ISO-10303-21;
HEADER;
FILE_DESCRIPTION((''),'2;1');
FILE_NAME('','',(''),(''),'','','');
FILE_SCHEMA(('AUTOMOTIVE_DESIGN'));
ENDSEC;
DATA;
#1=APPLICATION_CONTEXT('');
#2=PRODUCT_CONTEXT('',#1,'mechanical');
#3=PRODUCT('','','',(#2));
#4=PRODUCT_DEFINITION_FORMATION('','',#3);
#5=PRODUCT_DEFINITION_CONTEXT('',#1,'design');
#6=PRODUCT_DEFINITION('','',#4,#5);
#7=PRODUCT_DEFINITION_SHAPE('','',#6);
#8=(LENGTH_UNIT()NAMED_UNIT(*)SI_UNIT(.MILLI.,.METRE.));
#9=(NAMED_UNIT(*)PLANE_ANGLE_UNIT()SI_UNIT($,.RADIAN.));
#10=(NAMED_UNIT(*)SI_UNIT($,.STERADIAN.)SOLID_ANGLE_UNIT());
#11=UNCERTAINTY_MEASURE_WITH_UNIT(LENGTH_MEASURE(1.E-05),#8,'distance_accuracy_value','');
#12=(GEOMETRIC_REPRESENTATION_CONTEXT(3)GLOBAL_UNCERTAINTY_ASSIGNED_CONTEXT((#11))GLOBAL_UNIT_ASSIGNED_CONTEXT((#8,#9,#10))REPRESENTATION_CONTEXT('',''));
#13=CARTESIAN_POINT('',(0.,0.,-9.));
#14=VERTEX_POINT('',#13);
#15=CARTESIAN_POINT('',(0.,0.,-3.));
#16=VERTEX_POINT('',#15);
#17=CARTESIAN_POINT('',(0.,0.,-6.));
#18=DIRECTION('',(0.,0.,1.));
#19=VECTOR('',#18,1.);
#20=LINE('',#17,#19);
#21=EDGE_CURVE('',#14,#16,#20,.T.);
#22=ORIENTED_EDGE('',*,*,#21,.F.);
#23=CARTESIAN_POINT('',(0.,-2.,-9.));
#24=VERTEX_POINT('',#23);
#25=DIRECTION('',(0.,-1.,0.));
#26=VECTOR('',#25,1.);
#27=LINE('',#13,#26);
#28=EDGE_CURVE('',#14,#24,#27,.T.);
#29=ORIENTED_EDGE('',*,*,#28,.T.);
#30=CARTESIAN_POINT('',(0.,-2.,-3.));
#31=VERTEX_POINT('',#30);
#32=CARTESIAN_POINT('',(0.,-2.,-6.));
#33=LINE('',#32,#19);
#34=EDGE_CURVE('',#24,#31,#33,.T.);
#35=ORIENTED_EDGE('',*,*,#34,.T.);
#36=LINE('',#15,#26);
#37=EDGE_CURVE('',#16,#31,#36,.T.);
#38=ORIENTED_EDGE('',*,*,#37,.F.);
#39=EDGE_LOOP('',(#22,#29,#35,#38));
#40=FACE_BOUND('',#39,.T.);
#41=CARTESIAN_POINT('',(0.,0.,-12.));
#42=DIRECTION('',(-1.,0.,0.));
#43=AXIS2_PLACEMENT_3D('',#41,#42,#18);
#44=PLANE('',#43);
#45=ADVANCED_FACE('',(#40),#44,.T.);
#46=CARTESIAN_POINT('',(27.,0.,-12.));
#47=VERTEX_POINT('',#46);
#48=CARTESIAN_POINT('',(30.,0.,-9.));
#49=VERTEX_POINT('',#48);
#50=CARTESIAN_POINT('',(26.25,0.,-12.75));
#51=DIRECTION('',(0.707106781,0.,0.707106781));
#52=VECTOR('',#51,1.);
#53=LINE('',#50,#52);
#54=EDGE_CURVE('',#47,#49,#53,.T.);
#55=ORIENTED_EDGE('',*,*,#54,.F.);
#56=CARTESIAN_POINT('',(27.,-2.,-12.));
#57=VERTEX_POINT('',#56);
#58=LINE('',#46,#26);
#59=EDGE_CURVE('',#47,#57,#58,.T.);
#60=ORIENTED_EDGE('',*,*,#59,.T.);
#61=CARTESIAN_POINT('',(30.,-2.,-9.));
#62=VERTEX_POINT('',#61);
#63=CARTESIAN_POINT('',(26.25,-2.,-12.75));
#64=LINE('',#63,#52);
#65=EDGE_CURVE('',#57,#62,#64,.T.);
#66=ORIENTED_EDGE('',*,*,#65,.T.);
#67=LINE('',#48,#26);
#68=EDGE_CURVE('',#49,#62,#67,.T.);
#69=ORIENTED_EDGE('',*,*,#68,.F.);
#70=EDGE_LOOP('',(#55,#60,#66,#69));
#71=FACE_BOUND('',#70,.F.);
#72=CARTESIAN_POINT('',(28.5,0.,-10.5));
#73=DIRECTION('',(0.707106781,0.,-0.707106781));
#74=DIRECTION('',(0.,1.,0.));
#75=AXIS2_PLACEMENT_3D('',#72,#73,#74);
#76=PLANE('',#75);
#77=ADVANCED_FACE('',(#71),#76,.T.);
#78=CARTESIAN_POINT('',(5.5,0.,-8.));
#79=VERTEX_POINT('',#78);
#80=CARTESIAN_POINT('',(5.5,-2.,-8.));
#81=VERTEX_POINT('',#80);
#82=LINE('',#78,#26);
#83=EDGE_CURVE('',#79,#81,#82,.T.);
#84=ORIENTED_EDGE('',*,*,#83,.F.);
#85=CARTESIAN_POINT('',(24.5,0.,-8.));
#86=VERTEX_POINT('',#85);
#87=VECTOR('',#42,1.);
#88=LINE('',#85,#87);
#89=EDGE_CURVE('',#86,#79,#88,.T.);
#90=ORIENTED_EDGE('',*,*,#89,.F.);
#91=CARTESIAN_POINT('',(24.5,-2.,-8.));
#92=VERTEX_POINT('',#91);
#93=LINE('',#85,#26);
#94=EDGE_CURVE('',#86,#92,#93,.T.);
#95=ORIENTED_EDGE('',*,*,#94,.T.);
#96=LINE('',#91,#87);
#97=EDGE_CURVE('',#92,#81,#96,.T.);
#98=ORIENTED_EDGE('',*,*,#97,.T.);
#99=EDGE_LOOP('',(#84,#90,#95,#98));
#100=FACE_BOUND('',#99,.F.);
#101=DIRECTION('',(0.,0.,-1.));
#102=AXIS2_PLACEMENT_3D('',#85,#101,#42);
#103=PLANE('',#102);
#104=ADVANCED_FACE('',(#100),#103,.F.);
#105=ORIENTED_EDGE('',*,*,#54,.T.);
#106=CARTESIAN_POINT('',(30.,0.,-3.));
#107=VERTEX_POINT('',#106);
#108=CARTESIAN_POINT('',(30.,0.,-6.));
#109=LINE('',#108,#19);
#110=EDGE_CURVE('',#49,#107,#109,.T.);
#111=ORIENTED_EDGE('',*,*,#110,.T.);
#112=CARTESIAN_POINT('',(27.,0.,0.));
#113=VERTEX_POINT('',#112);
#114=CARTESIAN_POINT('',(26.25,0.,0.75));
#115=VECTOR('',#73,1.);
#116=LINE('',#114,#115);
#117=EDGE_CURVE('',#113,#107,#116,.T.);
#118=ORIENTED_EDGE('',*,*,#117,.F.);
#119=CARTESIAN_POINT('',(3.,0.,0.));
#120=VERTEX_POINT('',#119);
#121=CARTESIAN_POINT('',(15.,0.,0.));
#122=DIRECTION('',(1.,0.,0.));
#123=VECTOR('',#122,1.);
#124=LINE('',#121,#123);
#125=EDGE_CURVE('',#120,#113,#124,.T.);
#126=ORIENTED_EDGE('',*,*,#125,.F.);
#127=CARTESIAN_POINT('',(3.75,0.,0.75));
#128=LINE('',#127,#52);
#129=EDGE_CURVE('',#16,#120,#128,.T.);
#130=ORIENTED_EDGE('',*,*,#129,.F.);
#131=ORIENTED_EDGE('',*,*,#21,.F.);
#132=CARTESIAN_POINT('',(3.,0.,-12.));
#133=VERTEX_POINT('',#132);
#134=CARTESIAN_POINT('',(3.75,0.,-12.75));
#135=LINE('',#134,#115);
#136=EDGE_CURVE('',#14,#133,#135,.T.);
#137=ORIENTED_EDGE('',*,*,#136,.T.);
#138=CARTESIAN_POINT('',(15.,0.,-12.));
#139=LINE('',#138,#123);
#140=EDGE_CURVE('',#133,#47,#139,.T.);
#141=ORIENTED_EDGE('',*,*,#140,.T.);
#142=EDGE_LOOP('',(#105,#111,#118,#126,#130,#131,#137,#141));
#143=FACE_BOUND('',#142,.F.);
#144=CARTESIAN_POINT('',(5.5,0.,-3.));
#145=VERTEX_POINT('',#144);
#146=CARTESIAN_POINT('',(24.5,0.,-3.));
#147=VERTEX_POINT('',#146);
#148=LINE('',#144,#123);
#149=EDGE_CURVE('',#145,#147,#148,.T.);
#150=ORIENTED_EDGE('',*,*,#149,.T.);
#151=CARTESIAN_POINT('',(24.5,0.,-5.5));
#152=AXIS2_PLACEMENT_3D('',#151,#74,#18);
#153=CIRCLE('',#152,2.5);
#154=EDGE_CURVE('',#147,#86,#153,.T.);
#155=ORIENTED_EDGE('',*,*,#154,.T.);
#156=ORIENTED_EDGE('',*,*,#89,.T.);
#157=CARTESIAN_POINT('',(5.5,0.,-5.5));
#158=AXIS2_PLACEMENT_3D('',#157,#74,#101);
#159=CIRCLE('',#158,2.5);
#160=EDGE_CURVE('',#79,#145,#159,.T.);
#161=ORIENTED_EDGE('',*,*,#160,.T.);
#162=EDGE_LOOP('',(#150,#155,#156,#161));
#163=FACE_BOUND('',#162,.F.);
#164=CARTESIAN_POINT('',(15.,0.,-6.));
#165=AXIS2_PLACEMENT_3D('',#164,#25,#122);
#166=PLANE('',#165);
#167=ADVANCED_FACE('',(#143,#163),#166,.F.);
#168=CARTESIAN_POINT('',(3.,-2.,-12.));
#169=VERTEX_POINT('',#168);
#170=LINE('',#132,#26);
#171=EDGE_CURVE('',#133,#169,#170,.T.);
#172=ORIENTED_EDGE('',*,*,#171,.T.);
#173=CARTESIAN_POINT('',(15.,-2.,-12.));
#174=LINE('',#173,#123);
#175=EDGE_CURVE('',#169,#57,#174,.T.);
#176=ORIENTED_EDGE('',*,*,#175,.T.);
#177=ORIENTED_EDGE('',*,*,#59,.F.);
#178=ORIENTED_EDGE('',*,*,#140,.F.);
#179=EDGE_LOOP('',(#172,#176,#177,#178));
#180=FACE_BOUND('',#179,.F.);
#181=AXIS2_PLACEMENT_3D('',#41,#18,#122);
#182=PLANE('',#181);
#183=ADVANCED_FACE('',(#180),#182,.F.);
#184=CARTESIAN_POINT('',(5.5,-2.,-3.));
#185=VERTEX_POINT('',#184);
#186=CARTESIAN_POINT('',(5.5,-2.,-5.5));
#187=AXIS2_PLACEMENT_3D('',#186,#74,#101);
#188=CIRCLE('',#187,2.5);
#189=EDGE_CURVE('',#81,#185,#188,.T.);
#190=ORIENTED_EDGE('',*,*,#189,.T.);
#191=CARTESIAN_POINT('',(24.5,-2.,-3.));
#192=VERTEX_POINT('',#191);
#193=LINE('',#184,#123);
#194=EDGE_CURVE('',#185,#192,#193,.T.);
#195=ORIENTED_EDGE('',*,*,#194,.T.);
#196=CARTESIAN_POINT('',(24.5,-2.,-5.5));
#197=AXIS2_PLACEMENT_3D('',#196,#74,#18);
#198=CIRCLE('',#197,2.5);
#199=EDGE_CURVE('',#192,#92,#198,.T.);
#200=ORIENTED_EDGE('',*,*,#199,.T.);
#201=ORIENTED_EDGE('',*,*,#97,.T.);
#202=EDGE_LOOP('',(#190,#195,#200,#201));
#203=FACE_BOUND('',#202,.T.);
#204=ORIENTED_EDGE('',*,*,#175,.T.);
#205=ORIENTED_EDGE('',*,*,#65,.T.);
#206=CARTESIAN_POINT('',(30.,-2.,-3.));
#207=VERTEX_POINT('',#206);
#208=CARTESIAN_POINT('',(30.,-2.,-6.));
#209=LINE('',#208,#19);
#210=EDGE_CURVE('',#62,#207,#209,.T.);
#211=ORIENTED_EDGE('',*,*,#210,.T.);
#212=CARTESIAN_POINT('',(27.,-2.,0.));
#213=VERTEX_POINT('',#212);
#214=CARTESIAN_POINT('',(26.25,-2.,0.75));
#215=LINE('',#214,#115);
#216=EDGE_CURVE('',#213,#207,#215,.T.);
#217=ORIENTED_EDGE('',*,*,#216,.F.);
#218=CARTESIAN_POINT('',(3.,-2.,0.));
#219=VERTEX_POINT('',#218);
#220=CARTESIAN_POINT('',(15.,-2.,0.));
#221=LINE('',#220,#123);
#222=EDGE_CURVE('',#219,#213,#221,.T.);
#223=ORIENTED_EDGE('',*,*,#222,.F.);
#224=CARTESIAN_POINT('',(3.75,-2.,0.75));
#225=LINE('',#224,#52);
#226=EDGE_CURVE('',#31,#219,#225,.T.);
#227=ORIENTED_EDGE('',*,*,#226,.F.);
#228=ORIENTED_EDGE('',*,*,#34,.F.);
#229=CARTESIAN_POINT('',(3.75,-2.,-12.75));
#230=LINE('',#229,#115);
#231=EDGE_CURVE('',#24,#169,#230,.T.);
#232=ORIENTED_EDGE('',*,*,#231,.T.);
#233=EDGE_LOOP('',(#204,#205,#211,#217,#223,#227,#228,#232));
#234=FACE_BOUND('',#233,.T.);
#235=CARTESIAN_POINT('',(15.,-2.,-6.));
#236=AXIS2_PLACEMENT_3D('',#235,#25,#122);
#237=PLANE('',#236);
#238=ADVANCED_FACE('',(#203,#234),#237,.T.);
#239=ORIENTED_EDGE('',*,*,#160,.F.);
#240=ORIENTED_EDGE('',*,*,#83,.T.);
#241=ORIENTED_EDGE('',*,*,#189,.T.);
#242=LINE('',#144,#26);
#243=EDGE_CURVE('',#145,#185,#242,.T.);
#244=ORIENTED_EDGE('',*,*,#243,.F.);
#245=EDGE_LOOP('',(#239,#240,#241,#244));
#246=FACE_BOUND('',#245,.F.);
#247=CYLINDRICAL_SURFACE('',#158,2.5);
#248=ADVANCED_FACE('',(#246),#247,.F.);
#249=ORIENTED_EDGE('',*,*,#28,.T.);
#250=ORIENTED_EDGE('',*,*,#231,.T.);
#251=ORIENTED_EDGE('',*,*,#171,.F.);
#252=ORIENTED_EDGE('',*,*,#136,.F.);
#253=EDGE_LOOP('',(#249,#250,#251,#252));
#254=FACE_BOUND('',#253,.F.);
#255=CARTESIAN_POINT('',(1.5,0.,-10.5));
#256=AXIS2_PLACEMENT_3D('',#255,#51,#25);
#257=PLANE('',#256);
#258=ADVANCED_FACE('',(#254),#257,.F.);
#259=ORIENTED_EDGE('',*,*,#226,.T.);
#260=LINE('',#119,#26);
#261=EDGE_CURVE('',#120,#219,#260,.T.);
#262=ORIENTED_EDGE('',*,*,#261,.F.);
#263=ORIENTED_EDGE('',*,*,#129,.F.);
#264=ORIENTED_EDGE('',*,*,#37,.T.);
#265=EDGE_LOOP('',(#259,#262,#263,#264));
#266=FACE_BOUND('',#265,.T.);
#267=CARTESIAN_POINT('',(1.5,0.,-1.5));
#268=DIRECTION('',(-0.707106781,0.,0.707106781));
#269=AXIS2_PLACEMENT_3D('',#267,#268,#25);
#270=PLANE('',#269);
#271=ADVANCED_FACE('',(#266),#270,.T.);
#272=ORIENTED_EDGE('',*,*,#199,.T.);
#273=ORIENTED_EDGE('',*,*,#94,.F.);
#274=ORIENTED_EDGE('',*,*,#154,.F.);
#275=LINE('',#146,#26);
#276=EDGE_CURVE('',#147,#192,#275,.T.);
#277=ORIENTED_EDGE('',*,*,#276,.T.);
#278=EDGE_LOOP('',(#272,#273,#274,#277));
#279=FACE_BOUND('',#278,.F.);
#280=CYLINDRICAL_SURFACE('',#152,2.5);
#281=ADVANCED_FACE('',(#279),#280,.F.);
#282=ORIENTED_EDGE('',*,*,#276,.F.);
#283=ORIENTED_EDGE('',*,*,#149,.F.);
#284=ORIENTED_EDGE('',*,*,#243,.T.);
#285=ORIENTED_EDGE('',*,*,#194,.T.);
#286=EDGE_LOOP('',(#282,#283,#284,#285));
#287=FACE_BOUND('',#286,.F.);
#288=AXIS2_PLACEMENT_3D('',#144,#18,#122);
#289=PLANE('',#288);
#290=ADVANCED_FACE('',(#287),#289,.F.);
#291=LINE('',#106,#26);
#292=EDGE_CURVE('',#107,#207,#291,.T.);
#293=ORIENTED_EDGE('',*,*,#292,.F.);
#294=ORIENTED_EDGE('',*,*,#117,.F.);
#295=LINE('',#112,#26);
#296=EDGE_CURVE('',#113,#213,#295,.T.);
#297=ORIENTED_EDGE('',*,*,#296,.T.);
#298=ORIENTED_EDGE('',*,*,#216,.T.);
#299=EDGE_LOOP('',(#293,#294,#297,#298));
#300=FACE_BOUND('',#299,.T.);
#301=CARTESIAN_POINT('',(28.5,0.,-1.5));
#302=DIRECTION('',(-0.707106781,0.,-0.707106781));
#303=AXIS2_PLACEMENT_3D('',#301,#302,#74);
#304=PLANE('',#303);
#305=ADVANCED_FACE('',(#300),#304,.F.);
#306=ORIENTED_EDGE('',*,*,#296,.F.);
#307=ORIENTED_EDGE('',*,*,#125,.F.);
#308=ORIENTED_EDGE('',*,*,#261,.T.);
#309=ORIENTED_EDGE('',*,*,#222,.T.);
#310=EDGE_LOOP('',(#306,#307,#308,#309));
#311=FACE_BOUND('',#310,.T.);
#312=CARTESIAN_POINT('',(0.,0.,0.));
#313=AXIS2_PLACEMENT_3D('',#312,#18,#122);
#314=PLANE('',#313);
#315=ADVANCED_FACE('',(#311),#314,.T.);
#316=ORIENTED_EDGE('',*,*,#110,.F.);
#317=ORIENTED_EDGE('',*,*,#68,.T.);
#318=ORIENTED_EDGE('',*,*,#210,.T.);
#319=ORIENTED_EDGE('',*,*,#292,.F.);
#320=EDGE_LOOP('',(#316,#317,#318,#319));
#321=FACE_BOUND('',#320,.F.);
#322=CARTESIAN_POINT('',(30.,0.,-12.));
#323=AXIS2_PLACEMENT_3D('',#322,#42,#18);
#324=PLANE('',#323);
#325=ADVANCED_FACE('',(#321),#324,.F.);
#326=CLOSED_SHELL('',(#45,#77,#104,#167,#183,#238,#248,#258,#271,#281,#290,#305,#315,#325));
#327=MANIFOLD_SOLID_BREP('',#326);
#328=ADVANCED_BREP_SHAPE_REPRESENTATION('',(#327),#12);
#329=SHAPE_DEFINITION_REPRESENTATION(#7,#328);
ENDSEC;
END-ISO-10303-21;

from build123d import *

# Parameters (mm, degrees)
F0_W     = 30
F0_H     = 12
F1_DEPTH = 2
F2_SIZE  = 3


with BuildPart() as f1:
    # F0 (on Front) → F1 (new body)
    with BuildSketch(Plane.XZ):
        with Locations((15, -6)):
            Rectangle(F0_W, F0_H)
        with BuildLine():
            Line((24.5, -8), (5.5, -8))
            ThreePointArc((5.5, -8), (3, -5.5), (5.5, -3))
            Line((5.5, -3), (24.5, -3))
            ThreePointArc((24.5, -3), (27, -5.5), (24.5, -8))
        make_face(mode=Mode.SUBTRACT)
    extrude(amount=F1_DEPTH)

    # F2
    f2_edges = [f1.edges().sort_by_distance(p)[0] for p in [
        (0, -1, 0),
        (30, -1, 0),
        (0, -1, -12),
        (30, -1, -12),
    ]]
    chamfer(f2_edges, length=F2_SIZE)


solid = f1.part
